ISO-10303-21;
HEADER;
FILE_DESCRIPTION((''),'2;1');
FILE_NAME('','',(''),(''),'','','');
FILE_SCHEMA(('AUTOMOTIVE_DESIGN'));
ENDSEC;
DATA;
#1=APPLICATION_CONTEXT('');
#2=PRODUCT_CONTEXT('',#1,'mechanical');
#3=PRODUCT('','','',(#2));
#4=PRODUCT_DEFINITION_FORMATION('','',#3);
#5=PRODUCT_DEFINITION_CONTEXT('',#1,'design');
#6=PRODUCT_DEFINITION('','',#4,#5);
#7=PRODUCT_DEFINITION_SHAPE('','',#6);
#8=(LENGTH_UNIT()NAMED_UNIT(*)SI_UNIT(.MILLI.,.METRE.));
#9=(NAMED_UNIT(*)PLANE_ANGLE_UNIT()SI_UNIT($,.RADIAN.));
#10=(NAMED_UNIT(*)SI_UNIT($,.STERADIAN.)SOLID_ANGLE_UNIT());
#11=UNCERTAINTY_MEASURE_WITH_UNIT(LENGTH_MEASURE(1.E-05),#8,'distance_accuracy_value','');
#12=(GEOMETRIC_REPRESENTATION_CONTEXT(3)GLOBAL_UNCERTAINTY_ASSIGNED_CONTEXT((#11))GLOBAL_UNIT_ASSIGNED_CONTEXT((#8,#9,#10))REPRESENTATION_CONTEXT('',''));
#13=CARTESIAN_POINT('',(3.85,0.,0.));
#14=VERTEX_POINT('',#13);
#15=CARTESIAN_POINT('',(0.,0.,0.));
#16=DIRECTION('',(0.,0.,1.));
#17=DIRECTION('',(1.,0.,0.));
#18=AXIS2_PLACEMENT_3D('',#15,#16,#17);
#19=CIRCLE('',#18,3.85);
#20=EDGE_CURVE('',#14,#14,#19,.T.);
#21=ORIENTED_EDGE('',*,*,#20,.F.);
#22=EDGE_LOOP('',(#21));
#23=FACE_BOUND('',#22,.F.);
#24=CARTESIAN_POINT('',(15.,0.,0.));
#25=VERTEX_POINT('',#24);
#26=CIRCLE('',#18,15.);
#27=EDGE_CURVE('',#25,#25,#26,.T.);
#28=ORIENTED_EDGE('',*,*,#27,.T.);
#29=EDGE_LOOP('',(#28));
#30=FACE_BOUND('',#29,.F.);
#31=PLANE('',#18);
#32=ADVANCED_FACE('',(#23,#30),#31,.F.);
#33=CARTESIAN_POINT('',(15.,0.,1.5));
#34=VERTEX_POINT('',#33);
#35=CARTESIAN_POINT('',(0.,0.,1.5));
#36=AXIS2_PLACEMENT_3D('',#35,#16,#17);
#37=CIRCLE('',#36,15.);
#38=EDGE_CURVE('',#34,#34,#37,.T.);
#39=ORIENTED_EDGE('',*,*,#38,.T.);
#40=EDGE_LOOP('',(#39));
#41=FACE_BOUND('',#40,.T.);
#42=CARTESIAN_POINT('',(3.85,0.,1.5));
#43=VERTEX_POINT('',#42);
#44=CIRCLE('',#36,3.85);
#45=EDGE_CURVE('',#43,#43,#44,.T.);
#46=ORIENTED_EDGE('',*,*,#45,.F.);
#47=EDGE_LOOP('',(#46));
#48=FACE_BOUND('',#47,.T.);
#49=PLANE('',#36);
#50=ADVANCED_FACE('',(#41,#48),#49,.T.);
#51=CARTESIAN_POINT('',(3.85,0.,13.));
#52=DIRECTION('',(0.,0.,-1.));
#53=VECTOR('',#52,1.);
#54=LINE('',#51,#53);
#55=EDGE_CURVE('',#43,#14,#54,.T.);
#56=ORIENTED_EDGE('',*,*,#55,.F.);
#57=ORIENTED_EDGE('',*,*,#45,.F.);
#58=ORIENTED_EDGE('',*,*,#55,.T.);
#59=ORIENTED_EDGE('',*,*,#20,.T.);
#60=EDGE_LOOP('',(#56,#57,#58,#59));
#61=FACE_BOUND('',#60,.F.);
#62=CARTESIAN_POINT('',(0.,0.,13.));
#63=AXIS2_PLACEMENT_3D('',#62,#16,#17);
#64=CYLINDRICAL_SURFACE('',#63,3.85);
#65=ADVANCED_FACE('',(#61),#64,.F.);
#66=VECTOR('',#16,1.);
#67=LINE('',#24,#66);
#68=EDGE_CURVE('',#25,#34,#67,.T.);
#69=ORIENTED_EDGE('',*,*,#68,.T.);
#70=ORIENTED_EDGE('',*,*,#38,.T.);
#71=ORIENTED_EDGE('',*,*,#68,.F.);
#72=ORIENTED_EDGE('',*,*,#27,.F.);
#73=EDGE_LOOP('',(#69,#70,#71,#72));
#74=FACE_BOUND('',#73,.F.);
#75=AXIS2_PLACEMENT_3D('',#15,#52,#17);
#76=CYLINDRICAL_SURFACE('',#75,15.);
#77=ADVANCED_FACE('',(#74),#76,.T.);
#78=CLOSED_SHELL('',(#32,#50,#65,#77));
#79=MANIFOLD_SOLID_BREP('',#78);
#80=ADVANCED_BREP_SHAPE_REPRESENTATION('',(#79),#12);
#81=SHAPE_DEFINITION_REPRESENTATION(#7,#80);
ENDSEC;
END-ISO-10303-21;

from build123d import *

# Parameters (mm, degrees)
F0_R     = 15
F0_R_2   = 2
F1_DEPTH = 1.5
F2_R     = 3.85
F2_R_2   = 2
F3_DEPTH = 11.5
F4_DEPTH = 25


with BuildPart() as f1:
    # F0 (on Top) → F1 (new body)
    with BuildSketch(Plane.XY):
        Circle(F0_R)
        Circle(F0_R_2, mode=Mode.SUBTRACT)
    extrude(amount=F1_DEPTH)

    # F2 (on face) → F3 (join)
    with BuildSketch(Plane.XY.offset(1.5)):
        Circle(F2_R)
        Circle(F2_R_2, mode=Mode.SUBTRACT)
    extrude(amount=F3_DEPTH)

    # F4 (cut): a face of the model
    f4_faces = [f1.faces().sort_by_distance(p)[0] for p in [
        (-3.7411055557, 0, 13),
    ]]
    extrude(f4_faces, amount=-F4_DEPTH, mode=Mode.SUBTRACT)


solid = f1.part
